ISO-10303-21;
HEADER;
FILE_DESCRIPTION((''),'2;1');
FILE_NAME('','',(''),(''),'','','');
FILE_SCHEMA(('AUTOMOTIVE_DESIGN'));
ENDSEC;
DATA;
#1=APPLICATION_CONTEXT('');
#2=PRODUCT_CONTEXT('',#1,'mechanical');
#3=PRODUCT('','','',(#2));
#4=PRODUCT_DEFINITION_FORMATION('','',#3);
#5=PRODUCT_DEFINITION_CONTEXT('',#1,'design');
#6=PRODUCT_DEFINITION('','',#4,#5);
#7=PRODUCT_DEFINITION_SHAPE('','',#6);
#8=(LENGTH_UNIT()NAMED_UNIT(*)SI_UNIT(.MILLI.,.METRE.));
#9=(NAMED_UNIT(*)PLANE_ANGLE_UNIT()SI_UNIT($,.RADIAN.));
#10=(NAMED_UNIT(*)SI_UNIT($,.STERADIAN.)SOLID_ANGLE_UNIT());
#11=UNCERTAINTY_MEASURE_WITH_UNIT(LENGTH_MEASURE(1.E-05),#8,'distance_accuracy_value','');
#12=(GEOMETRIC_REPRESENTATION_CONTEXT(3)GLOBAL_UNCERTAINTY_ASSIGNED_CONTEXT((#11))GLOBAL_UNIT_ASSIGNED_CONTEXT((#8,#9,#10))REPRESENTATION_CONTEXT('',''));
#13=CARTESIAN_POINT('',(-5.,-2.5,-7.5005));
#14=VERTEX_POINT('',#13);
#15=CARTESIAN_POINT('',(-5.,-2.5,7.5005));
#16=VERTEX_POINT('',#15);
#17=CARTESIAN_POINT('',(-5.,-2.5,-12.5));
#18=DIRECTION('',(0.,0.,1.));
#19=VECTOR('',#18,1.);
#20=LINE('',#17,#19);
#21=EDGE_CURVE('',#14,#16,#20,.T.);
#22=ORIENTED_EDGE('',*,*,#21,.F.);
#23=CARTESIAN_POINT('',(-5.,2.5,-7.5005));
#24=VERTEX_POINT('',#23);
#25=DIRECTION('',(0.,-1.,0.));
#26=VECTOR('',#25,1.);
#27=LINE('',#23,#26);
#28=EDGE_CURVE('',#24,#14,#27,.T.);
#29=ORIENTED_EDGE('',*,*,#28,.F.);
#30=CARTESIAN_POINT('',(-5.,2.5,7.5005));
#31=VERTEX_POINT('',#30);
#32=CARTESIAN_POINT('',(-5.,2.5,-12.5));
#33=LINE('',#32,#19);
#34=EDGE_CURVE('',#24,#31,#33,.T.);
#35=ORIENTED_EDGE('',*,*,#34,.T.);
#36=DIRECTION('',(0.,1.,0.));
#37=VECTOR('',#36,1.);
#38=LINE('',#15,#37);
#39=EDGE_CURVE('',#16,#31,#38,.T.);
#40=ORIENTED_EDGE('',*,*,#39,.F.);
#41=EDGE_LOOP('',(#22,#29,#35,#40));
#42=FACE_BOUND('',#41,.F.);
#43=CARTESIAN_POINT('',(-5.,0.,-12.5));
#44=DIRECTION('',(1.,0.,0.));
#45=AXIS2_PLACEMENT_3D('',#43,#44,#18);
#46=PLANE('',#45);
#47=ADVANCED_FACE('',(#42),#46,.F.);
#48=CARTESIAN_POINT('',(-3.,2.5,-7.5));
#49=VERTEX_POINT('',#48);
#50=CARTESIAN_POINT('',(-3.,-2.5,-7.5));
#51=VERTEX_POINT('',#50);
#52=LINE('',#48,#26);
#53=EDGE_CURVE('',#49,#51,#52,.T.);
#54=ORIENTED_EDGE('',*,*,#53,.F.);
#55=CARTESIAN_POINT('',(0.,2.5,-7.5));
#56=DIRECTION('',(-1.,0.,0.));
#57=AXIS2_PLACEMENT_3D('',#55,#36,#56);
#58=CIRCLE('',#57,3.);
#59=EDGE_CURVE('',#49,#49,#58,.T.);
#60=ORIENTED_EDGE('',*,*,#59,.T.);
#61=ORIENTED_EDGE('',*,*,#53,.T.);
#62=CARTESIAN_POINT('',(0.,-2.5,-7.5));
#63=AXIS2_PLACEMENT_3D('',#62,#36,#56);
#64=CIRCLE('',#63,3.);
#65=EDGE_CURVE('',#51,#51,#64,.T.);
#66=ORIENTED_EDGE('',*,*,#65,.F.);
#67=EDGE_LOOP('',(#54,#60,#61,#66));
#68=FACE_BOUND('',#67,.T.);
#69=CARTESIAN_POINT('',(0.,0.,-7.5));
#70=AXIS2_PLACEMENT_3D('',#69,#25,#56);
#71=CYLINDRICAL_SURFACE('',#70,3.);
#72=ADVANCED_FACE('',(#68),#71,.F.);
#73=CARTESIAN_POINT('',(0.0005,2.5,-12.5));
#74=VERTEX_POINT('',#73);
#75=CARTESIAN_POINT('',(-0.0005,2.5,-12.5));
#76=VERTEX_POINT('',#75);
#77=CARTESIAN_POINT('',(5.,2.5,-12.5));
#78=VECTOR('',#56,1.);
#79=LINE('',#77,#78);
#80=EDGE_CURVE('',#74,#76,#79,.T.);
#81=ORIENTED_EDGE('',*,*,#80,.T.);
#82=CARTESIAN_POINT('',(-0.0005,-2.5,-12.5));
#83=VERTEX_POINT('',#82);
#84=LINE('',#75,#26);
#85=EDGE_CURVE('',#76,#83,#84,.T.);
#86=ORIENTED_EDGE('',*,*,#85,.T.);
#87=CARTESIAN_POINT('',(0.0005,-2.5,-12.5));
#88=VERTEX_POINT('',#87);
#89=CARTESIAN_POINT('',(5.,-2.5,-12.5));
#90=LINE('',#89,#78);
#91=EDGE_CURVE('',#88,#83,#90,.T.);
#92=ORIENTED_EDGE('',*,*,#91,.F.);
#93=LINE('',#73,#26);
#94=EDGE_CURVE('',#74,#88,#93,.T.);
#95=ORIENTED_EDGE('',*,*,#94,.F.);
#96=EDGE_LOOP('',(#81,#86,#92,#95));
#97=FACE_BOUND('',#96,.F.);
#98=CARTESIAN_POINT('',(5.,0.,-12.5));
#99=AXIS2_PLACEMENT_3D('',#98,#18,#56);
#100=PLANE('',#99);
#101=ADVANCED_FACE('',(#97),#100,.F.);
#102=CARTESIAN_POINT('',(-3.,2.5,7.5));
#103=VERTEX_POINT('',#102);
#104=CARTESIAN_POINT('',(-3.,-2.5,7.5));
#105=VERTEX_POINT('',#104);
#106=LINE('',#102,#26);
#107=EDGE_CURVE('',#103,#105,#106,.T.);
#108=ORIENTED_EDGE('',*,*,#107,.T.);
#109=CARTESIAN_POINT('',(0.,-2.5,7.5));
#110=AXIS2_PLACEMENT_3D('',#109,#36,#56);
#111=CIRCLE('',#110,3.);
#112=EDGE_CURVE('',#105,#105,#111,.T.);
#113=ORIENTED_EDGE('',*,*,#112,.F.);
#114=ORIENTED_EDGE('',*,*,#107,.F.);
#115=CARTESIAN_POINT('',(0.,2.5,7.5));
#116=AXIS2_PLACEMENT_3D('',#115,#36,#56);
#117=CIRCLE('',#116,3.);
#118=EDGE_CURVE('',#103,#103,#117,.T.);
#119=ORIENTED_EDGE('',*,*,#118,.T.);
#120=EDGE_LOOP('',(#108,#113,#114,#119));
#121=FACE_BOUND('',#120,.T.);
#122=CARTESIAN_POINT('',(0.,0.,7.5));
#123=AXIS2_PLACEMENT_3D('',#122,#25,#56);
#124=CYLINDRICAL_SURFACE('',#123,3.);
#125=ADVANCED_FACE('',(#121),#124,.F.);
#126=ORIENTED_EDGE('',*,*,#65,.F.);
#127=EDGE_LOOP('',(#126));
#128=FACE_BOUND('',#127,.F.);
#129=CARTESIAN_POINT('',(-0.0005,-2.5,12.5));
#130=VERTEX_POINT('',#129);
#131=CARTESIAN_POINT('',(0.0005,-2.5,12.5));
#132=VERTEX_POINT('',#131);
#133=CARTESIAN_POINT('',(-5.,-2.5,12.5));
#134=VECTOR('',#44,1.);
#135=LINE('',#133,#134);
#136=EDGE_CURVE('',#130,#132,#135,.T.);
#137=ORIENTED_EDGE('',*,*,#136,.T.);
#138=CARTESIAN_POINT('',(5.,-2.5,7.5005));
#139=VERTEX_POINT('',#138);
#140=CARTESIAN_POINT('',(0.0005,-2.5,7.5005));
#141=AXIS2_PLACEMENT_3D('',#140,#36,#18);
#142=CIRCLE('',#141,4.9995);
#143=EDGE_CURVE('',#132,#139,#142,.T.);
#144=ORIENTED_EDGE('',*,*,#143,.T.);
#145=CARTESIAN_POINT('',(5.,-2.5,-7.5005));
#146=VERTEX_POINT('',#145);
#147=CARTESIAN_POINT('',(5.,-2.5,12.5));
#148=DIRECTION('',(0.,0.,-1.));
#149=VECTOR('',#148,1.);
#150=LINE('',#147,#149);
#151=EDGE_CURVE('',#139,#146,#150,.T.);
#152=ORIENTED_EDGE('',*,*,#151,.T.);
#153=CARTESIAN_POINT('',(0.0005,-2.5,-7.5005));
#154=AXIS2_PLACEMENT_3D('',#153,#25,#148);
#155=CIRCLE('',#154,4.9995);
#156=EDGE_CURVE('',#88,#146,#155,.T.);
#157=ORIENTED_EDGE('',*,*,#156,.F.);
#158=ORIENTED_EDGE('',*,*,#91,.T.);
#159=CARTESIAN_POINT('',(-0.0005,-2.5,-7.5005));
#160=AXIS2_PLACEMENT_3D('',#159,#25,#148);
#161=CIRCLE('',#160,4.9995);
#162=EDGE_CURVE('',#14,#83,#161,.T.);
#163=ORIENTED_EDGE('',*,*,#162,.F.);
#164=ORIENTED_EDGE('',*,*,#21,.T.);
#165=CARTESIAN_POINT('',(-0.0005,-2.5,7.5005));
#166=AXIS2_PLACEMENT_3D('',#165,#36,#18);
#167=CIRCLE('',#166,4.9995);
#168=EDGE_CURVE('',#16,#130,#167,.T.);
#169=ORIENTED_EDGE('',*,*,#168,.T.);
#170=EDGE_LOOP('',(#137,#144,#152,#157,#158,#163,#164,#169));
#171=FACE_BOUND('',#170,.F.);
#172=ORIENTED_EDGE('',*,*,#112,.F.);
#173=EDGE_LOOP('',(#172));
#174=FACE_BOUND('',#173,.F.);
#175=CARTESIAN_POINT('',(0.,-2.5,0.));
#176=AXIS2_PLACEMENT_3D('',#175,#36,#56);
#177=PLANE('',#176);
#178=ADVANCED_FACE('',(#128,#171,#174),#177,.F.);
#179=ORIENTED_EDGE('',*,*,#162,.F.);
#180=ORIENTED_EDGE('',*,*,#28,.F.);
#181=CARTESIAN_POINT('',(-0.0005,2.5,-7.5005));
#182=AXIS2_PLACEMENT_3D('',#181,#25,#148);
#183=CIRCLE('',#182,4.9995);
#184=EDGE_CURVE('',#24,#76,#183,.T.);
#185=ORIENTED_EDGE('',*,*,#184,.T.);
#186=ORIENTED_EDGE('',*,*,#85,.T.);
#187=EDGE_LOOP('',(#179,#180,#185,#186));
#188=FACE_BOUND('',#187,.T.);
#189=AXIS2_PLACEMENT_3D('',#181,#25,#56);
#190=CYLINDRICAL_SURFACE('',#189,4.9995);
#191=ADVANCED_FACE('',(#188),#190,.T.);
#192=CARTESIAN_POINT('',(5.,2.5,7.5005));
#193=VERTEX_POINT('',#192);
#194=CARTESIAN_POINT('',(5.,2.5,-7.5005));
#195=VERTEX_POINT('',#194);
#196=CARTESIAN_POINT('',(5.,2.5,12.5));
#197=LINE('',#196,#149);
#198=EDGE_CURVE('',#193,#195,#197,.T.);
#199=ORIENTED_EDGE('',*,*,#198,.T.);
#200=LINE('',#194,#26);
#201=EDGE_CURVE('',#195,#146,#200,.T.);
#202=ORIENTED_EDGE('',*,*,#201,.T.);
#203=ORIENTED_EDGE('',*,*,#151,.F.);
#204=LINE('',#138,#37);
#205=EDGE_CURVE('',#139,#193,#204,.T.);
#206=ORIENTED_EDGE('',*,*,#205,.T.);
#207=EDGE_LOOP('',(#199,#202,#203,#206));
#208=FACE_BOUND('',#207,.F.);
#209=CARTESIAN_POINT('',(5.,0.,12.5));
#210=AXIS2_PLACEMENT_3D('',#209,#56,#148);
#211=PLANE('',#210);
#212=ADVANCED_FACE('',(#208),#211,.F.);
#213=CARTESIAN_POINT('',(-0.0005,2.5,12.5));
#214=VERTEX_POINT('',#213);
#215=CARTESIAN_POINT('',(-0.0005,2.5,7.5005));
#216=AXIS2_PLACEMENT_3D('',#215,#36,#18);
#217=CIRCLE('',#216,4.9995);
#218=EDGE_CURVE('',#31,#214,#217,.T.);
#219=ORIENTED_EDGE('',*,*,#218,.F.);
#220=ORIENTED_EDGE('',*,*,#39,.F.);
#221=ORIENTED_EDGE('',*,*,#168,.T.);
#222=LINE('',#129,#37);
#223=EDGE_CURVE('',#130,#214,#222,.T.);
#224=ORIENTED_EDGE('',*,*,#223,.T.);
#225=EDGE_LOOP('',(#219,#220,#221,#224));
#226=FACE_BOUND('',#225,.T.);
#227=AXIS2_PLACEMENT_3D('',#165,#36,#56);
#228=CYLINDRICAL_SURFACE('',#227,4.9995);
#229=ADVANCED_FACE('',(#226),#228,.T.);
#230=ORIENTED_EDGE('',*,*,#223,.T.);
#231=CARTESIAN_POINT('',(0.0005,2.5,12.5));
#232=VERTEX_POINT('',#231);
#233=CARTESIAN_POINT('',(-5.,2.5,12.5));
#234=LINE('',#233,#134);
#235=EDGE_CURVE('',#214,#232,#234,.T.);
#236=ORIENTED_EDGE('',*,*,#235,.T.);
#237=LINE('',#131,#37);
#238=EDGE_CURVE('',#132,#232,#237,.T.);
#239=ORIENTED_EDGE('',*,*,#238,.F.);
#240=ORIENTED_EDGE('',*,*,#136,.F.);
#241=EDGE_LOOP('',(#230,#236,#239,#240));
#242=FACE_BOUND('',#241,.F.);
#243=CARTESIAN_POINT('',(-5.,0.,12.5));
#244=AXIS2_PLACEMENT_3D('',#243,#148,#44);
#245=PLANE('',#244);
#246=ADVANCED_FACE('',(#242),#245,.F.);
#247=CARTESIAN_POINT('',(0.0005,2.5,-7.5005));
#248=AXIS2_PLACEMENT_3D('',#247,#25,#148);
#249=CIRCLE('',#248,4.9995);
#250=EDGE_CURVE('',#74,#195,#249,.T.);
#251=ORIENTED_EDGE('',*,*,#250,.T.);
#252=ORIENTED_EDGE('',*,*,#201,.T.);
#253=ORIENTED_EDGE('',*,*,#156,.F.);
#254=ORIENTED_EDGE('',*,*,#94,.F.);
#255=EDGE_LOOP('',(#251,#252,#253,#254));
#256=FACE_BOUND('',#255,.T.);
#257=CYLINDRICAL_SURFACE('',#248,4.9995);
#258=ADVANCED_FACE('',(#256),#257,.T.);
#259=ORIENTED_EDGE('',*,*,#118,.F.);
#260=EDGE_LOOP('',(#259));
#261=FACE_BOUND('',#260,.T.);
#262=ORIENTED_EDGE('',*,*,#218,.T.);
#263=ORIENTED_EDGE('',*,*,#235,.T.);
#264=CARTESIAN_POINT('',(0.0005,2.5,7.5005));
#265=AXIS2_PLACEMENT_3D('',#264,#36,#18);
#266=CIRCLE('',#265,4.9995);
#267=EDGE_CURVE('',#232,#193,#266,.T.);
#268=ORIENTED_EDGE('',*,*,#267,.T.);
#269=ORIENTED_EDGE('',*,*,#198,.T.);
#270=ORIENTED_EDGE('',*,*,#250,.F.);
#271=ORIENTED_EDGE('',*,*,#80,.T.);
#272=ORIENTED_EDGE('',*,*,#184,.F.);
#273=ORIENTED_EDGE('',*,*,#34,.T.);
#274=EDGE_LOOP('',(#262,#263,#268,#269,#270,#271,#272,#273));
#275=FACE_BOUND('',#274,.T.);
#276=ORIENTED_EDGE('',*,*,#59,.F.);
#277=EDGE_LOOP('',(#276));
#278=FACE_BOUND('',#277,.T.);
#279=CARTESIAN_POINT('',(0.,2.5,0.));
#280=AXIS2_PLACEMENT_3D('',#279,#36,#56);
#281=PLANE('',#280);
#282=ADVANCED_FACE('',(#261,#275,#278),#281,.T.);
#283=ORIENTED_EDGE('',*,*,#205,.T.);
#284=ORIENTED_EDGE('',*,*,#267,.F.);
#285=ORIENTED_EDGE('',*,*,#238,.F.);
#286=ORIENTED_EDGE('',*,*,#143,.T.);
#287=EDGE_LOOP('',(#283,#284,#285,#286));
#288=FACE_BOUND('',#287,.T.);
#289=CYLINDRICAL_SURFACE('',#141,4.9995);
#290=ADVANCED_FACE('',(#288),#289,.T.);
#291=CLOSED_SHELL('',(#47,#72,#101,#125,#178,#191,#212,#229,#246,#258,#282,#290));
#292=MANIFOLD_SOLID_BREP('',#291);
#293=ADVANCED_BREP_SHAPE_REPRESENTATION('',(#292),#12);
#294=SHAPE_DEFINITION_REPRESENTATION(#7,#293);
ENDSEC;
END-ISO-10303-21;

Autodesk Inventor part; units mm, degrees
ref_plane "YZ Plane" through (0, 0, 0) normal (1, 0, 0) x (0, 1, 0)
ref_plane "XZ Plane" through (0, 0, 0) normal (0, 1, 0) x (-1, 0, 0)
ref_plane "XY Plane" through (0, 0, 0) normal (0, 0, 1) x (1, 0, 0)
sketch "Boceto1" plane through (0, 0, 0) normal (0, 1, 0) x (-1, 0, 0)
  line L0 (5, 12.5) -> (-5, 12.5)
  line L1 (-5, 12.5) -> (-5, -12.5)
  line L2 (-5, -12.5) -> (5, -12.5)
  line L3 (5, -12.5) -> (5, 12.5)
  line L4 (5, 12.5) -> (-5, -12.5) construction
  line L5 (-5, 12.5) -> (5, -12.5) construction
  circle A0 centre (0, 7.5) radius 3
  circle A1 centre (0, -7.5) radius 3
  point P0 (0, 0)
  dimension "d0" = 10
  dimension "d1" = 25
  dimension "d2" = 6
  dimension "d3" = 6
  dimension "d4" = 5
  dimension "d5" = 5
extrude "Extrusión1" add sketch "Boceto1" along normal mid plane 5
fillet "Empalme1" radius 5 4 edges at (-5, 0, 12.5) (5, 0, 12.5) (5, 0, -12.5) (-5, 0, -12.5)
properties material "Titanio"
